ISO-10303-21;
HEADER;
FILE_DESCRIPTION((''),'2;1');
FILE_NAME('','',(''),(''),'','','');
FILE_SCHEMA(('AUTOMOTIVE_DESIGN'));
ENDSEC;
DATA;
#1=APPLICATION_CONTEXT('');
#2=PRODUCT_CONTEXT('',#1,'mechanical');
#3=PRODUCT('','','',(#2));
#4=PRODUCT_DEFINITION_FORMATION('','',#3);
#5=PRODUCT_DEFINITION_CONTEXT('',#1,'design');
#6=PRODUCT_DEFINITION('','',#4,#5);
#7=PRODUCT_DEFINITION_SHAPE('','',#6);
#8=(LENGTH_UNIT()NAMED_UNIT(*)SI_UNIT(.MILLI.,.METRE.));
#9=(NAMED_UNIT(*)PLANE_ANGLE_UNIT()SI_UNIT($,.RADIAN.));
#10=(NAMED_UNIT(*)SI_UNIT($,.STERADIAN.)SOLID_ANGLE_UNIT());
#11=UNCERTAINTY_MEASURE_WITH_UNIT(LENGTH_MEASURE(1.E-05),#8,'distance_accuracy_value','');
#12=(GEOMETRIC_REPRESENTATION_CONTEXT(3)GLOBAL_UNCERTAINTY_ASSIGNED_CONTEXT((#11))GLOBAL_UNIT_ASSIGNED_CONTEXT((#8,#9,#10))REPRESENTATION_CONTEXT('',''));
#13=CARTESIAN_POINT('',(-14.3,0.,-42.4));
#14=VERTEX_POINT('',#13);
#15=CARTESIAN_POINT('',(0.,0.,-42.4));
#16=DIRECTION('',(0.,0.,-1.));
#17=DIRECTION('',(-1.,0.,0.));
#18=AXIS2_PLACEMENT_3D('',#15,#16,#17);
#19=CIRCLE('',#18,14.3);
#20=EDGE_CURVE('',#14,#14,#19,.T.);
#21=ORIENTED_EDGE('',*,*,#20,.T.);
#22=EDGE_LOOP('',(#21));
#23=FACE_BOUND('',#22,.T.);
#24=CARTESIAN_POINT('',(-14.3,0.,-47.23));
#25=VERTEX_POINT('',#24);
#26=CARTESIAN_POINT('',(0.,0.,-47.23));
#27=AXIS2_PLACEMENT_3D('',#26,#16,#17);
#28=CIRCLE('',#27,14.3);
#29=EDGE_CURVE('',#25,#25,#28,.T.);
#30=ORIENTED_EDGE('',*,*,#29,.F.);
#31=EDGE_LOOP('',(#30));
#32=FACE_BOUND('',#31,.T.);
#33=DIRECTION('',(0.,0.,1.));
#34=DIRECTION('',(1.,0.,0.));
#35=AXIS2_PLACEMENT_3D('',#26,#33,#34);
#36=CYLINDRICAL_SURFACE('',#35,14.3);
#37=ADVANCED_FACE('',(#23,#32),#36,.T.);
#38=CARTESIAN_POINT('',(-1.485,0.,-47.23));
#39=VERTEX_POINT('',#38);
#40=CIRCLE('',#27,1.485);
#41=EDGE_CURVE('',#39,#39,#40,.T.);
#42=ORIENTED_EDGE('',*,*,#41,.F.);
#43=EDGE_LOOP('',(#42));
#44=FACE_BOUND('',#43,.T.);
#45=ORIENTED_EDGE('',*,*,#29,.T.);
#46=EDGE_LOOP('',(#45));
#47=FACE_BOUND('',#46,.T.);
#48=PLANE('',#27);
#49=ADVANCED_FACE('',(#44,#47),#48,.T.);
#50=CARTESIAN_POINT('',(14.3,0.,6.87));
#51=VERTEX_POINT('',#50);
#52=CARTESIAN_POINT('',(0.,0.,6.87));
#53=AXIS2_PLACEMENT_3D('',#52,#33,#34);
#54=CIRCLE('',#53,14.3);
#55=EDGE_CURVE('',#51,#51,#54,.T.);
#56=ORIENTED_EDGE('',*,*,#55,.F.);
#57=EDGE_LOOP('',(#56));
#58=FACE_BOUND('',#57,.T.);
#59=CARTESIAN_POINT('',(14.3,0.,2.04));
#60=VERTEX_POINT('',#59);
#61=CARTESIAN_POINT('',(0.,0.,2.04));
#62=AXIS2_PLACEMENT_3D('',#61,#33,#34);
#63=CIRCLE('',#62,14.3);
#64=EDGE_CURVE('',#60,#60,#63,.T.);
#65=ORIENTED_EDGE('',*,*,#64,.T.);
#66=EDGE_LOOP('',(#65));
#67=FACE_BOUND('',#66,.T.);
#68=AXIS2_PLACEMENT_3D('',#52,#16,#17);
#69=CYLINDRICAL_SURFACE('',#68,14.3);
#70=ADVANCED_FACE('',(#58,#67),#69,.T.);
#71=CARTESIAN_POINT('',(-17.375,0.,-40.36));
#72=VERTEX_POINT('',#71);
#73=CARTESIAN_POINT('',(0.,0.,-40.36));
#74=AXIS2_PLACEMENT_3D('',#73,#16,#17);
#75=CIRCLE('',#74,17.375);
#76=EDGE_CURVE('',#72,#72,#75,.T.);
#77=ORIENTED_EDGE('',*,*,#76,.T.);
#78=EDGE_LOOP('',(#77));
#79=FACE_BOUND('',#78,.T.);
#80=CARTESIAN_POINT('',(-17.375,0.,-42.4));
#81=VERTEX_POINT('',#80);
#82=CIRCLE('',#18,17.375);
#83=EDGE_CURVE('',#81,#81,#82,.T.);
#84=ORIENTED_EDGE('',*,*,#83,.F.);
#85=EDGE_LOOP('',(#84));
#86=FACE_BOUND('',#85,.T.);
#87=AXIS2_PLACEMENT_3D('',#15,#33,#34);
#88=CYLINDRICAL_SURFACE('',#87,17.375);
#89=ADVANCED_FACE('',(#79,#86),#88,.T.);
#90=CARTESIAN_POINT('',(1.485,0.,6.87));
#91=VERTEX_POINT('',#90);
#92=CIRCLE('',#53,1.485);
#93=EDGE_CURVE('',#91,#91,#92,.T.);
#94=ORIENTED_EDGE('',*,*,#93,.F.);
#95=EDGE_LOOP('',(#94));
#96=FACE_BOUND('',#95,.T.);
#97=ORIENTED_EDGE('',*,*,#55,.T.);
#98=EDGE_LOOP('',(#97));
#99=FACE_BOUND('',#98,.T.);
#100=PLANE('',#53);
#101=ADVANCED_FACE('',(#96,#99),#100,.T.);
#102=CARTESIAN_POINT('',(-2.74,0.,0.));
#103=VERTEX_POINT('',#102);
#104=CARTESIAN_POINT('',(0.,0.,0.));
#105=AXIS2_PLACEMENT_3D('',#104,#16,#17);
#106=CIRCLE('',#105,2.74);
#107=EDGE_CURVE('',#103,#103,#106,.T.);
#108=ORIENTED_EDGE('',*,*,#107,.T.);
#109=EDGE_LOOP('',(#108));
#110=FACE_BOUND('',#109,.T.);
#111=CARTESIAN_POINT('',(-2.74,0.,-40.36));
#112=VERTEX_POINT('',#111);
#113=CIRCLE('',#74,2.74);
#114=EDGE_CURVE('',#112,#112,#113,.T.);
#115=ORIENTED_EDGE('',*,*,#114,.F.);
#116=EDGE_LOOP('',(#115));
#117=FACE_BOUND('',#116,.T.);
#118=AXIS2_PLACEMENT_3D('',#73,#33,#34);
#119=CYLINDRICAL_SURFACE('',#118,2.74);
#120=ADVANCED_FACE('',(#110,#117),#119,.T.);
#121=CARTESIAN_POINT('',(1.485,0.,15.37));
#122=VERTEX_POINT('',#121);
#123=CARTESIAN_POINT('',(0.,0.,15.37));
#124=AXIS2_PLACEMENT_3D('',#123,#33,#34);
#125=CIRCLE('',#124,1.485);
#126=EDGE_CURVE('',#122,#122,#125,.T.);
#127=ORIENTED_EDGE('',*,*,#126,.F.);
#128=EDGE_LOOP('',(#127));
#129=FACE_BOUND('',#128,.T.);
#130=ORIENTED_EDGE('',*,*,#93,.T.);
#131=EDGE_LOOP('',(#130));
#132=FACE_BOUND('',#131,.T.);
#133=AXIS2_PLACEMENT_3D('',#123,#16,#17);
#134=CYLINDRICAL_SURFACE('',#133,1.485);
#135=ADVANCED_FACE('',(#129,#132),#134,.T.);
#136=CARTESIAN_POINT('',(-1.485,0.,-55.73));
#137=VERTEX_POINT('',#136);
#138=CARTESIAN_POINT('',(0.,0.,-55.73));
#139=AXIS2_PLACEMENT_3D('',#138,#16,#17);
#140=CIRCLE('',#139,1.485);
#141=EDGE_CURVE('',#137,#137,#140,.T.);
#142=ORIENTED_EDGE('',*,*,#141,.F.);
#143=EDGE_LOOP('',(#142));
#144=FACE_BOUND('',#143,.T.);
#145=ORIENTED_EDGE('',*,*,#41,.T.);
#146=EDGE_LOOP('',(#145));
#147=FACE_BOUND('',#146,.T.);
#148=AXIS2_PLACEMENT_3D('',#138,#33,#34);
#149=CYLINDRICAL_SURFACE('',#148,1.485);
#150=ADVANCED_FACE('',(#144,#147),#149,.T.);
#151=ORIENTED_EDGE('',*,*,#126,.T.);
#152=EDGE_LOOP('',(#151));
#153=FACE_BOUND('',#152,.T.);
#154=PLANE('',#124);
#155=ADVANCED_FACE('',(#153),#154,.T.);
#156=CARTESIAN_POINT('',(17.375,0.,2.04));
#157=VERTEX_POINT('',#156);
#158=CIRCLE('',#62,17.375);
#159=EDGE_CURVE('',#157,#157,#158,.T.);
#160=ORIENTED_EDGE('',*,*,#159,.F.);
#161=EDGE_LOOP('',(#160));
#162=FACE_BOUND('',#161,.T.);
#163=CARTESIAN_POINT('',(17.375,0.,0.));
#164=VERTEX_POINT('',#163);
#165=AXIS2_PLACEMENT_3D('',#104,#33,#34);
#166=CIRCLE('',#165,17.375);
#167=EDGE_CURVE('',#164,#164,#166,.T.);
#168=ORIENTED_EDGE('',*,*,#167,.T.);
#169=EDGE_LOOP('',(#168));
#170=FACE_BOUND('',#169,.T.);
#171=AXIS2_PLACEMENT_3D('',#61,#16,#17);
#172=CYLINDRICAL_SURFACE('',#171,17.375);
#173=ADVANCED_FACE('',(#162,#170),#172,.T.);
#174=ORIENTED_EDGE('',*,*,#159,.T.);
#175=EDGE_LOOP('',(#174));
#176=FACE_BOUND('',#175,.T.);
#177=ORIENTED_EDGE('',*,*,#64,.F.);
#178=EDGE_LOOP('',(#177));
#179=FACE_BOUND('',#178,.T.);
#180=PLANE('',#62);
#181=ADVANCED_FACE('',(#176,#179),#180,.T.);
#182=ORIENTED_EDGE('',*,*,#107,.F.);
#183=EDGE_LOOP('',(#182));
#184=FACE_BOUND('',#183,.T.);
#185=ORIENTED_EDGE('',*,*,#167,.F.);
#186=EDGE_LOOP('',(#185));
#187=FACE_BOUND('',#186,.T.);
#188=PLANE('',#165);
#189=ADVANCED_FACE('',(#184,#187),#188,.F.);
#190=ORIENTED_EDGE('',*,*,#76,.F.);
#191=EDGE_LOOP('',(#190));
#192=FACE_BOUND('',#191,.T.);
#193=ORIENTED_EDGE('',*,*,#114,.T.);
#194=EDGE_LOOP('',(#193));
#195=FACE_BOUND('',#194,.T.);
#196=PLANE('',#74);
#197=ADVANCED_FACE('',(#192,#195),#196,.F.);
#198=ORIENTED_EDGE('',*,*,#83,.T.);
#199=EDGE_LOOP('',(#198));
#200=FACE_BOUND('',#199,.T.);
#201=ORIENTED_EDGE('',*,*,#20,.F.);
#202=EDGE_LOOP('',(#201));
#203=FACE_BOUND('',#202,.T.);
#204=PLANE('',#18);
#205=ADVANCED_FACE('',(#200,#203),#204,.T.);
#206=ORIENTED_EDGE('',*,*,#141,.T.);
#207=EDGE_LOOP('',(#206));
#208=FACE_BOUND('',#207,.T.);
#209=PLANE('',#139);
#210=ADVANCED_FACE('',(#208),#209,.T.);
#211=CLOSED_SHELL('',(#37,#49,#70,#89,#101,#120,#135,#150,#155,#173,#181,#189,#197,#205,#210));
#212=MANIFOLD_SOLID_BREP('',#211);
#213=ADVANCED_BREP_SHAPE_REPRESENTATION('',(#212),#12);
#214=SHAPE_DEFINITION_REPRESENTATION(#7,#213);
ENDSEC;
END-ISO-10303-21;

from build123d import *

# Parameters (mm, degrees)
SKETCH1_R           = 17.375
BOSS_EXTRUDE1_DEPTH = 2.04
SKETCH2_R           = 14.3
BOSS_EXTRUDE2_DEPTH = 4.83
SKETCH3_R           = 2.74
BOSS_EXTRUDE3_DEPTH = 40.36
SKETCH4_R           = 17.375
BOSS_EXTRUDE4_DEPTH = 2.04
SKETCH5_R           = 14.3
BOSS_EXTRUDE5_DEPTH = 4.83
SKETCH6_R           = 1.485
BOSS_EXTRUDE6_DEPTH = 8.5
SKETCH7_R           = 1.485
BOSS_EXTRUDE7_DEPTH = 8.5


with BuildPart() as part:
    # Sketch1 → Boss-Extrude1 (new body)
    with BuildSketch(Plane.XY):
        Circle(SKETCH1_R)
    extrude(amount=BOSS_EXTRUDE1_DEPTH)

    # Sketch2 → Boss-Extrude2 (add)
    with BuildSketch(Plane.XY.offset(2.04)):
        Circle(SKETCH2_R)
    extrude(amount=BOSS_EXTRUDE2_DEPTH)

    # Sketch3 → Boss-Extrude3 (add)
    with BuildSketch(Plane(origin=(0, 0, 0), x_dir=(-1, 0, 0), z_dir=(0, 0, -1))):
        Circle(SKETCH3_R)
    extrude(amount=BOSS_EXTRUDE3_DEPTH)

    # Sketch4 → Boss-Extrude4 (add)
    with BuildSketch(Plane(origin=(0, 0, -40.36), x_dir=(-1, 0, 0), z_dir=(0, 0, -1))):
        Circle(SKETCH4_R)
    extrude(amount=BOSS_EXTRUDE4_DEPTH)

    # Sketch5 → Boss-Extrude5 (add)
    with BuildSketch(Plane(origin=(0, 0, -42.4), x_dir=(-1, 0, 0), z_dir=(0, 0, -1))):
        Circle(SKETCH5_R)
    extrude(amount=BOSS_EXTRUDE5_DEPTH)

    # Sketch6 → Boss-Extrude6 (add)
    with BuildSketch(Plane(origin=(0, 0, -47.23), x_dir=(-1, 0, 0), z_dir=(0, 0, -1))):
        Circle(SKETCH6_R)
    extrude(amount=BOSS_EXTRUDE6_DEPTH)

    # Sketch7 → Boss-Extrude7 (add)
    with BuildSketch(Plane.XY.offset(6.87)):
        Circle(SKETCH7_R)
    extrude(amount=BOSS_EXTRUDE7_DEPTH)


solid = part.part
